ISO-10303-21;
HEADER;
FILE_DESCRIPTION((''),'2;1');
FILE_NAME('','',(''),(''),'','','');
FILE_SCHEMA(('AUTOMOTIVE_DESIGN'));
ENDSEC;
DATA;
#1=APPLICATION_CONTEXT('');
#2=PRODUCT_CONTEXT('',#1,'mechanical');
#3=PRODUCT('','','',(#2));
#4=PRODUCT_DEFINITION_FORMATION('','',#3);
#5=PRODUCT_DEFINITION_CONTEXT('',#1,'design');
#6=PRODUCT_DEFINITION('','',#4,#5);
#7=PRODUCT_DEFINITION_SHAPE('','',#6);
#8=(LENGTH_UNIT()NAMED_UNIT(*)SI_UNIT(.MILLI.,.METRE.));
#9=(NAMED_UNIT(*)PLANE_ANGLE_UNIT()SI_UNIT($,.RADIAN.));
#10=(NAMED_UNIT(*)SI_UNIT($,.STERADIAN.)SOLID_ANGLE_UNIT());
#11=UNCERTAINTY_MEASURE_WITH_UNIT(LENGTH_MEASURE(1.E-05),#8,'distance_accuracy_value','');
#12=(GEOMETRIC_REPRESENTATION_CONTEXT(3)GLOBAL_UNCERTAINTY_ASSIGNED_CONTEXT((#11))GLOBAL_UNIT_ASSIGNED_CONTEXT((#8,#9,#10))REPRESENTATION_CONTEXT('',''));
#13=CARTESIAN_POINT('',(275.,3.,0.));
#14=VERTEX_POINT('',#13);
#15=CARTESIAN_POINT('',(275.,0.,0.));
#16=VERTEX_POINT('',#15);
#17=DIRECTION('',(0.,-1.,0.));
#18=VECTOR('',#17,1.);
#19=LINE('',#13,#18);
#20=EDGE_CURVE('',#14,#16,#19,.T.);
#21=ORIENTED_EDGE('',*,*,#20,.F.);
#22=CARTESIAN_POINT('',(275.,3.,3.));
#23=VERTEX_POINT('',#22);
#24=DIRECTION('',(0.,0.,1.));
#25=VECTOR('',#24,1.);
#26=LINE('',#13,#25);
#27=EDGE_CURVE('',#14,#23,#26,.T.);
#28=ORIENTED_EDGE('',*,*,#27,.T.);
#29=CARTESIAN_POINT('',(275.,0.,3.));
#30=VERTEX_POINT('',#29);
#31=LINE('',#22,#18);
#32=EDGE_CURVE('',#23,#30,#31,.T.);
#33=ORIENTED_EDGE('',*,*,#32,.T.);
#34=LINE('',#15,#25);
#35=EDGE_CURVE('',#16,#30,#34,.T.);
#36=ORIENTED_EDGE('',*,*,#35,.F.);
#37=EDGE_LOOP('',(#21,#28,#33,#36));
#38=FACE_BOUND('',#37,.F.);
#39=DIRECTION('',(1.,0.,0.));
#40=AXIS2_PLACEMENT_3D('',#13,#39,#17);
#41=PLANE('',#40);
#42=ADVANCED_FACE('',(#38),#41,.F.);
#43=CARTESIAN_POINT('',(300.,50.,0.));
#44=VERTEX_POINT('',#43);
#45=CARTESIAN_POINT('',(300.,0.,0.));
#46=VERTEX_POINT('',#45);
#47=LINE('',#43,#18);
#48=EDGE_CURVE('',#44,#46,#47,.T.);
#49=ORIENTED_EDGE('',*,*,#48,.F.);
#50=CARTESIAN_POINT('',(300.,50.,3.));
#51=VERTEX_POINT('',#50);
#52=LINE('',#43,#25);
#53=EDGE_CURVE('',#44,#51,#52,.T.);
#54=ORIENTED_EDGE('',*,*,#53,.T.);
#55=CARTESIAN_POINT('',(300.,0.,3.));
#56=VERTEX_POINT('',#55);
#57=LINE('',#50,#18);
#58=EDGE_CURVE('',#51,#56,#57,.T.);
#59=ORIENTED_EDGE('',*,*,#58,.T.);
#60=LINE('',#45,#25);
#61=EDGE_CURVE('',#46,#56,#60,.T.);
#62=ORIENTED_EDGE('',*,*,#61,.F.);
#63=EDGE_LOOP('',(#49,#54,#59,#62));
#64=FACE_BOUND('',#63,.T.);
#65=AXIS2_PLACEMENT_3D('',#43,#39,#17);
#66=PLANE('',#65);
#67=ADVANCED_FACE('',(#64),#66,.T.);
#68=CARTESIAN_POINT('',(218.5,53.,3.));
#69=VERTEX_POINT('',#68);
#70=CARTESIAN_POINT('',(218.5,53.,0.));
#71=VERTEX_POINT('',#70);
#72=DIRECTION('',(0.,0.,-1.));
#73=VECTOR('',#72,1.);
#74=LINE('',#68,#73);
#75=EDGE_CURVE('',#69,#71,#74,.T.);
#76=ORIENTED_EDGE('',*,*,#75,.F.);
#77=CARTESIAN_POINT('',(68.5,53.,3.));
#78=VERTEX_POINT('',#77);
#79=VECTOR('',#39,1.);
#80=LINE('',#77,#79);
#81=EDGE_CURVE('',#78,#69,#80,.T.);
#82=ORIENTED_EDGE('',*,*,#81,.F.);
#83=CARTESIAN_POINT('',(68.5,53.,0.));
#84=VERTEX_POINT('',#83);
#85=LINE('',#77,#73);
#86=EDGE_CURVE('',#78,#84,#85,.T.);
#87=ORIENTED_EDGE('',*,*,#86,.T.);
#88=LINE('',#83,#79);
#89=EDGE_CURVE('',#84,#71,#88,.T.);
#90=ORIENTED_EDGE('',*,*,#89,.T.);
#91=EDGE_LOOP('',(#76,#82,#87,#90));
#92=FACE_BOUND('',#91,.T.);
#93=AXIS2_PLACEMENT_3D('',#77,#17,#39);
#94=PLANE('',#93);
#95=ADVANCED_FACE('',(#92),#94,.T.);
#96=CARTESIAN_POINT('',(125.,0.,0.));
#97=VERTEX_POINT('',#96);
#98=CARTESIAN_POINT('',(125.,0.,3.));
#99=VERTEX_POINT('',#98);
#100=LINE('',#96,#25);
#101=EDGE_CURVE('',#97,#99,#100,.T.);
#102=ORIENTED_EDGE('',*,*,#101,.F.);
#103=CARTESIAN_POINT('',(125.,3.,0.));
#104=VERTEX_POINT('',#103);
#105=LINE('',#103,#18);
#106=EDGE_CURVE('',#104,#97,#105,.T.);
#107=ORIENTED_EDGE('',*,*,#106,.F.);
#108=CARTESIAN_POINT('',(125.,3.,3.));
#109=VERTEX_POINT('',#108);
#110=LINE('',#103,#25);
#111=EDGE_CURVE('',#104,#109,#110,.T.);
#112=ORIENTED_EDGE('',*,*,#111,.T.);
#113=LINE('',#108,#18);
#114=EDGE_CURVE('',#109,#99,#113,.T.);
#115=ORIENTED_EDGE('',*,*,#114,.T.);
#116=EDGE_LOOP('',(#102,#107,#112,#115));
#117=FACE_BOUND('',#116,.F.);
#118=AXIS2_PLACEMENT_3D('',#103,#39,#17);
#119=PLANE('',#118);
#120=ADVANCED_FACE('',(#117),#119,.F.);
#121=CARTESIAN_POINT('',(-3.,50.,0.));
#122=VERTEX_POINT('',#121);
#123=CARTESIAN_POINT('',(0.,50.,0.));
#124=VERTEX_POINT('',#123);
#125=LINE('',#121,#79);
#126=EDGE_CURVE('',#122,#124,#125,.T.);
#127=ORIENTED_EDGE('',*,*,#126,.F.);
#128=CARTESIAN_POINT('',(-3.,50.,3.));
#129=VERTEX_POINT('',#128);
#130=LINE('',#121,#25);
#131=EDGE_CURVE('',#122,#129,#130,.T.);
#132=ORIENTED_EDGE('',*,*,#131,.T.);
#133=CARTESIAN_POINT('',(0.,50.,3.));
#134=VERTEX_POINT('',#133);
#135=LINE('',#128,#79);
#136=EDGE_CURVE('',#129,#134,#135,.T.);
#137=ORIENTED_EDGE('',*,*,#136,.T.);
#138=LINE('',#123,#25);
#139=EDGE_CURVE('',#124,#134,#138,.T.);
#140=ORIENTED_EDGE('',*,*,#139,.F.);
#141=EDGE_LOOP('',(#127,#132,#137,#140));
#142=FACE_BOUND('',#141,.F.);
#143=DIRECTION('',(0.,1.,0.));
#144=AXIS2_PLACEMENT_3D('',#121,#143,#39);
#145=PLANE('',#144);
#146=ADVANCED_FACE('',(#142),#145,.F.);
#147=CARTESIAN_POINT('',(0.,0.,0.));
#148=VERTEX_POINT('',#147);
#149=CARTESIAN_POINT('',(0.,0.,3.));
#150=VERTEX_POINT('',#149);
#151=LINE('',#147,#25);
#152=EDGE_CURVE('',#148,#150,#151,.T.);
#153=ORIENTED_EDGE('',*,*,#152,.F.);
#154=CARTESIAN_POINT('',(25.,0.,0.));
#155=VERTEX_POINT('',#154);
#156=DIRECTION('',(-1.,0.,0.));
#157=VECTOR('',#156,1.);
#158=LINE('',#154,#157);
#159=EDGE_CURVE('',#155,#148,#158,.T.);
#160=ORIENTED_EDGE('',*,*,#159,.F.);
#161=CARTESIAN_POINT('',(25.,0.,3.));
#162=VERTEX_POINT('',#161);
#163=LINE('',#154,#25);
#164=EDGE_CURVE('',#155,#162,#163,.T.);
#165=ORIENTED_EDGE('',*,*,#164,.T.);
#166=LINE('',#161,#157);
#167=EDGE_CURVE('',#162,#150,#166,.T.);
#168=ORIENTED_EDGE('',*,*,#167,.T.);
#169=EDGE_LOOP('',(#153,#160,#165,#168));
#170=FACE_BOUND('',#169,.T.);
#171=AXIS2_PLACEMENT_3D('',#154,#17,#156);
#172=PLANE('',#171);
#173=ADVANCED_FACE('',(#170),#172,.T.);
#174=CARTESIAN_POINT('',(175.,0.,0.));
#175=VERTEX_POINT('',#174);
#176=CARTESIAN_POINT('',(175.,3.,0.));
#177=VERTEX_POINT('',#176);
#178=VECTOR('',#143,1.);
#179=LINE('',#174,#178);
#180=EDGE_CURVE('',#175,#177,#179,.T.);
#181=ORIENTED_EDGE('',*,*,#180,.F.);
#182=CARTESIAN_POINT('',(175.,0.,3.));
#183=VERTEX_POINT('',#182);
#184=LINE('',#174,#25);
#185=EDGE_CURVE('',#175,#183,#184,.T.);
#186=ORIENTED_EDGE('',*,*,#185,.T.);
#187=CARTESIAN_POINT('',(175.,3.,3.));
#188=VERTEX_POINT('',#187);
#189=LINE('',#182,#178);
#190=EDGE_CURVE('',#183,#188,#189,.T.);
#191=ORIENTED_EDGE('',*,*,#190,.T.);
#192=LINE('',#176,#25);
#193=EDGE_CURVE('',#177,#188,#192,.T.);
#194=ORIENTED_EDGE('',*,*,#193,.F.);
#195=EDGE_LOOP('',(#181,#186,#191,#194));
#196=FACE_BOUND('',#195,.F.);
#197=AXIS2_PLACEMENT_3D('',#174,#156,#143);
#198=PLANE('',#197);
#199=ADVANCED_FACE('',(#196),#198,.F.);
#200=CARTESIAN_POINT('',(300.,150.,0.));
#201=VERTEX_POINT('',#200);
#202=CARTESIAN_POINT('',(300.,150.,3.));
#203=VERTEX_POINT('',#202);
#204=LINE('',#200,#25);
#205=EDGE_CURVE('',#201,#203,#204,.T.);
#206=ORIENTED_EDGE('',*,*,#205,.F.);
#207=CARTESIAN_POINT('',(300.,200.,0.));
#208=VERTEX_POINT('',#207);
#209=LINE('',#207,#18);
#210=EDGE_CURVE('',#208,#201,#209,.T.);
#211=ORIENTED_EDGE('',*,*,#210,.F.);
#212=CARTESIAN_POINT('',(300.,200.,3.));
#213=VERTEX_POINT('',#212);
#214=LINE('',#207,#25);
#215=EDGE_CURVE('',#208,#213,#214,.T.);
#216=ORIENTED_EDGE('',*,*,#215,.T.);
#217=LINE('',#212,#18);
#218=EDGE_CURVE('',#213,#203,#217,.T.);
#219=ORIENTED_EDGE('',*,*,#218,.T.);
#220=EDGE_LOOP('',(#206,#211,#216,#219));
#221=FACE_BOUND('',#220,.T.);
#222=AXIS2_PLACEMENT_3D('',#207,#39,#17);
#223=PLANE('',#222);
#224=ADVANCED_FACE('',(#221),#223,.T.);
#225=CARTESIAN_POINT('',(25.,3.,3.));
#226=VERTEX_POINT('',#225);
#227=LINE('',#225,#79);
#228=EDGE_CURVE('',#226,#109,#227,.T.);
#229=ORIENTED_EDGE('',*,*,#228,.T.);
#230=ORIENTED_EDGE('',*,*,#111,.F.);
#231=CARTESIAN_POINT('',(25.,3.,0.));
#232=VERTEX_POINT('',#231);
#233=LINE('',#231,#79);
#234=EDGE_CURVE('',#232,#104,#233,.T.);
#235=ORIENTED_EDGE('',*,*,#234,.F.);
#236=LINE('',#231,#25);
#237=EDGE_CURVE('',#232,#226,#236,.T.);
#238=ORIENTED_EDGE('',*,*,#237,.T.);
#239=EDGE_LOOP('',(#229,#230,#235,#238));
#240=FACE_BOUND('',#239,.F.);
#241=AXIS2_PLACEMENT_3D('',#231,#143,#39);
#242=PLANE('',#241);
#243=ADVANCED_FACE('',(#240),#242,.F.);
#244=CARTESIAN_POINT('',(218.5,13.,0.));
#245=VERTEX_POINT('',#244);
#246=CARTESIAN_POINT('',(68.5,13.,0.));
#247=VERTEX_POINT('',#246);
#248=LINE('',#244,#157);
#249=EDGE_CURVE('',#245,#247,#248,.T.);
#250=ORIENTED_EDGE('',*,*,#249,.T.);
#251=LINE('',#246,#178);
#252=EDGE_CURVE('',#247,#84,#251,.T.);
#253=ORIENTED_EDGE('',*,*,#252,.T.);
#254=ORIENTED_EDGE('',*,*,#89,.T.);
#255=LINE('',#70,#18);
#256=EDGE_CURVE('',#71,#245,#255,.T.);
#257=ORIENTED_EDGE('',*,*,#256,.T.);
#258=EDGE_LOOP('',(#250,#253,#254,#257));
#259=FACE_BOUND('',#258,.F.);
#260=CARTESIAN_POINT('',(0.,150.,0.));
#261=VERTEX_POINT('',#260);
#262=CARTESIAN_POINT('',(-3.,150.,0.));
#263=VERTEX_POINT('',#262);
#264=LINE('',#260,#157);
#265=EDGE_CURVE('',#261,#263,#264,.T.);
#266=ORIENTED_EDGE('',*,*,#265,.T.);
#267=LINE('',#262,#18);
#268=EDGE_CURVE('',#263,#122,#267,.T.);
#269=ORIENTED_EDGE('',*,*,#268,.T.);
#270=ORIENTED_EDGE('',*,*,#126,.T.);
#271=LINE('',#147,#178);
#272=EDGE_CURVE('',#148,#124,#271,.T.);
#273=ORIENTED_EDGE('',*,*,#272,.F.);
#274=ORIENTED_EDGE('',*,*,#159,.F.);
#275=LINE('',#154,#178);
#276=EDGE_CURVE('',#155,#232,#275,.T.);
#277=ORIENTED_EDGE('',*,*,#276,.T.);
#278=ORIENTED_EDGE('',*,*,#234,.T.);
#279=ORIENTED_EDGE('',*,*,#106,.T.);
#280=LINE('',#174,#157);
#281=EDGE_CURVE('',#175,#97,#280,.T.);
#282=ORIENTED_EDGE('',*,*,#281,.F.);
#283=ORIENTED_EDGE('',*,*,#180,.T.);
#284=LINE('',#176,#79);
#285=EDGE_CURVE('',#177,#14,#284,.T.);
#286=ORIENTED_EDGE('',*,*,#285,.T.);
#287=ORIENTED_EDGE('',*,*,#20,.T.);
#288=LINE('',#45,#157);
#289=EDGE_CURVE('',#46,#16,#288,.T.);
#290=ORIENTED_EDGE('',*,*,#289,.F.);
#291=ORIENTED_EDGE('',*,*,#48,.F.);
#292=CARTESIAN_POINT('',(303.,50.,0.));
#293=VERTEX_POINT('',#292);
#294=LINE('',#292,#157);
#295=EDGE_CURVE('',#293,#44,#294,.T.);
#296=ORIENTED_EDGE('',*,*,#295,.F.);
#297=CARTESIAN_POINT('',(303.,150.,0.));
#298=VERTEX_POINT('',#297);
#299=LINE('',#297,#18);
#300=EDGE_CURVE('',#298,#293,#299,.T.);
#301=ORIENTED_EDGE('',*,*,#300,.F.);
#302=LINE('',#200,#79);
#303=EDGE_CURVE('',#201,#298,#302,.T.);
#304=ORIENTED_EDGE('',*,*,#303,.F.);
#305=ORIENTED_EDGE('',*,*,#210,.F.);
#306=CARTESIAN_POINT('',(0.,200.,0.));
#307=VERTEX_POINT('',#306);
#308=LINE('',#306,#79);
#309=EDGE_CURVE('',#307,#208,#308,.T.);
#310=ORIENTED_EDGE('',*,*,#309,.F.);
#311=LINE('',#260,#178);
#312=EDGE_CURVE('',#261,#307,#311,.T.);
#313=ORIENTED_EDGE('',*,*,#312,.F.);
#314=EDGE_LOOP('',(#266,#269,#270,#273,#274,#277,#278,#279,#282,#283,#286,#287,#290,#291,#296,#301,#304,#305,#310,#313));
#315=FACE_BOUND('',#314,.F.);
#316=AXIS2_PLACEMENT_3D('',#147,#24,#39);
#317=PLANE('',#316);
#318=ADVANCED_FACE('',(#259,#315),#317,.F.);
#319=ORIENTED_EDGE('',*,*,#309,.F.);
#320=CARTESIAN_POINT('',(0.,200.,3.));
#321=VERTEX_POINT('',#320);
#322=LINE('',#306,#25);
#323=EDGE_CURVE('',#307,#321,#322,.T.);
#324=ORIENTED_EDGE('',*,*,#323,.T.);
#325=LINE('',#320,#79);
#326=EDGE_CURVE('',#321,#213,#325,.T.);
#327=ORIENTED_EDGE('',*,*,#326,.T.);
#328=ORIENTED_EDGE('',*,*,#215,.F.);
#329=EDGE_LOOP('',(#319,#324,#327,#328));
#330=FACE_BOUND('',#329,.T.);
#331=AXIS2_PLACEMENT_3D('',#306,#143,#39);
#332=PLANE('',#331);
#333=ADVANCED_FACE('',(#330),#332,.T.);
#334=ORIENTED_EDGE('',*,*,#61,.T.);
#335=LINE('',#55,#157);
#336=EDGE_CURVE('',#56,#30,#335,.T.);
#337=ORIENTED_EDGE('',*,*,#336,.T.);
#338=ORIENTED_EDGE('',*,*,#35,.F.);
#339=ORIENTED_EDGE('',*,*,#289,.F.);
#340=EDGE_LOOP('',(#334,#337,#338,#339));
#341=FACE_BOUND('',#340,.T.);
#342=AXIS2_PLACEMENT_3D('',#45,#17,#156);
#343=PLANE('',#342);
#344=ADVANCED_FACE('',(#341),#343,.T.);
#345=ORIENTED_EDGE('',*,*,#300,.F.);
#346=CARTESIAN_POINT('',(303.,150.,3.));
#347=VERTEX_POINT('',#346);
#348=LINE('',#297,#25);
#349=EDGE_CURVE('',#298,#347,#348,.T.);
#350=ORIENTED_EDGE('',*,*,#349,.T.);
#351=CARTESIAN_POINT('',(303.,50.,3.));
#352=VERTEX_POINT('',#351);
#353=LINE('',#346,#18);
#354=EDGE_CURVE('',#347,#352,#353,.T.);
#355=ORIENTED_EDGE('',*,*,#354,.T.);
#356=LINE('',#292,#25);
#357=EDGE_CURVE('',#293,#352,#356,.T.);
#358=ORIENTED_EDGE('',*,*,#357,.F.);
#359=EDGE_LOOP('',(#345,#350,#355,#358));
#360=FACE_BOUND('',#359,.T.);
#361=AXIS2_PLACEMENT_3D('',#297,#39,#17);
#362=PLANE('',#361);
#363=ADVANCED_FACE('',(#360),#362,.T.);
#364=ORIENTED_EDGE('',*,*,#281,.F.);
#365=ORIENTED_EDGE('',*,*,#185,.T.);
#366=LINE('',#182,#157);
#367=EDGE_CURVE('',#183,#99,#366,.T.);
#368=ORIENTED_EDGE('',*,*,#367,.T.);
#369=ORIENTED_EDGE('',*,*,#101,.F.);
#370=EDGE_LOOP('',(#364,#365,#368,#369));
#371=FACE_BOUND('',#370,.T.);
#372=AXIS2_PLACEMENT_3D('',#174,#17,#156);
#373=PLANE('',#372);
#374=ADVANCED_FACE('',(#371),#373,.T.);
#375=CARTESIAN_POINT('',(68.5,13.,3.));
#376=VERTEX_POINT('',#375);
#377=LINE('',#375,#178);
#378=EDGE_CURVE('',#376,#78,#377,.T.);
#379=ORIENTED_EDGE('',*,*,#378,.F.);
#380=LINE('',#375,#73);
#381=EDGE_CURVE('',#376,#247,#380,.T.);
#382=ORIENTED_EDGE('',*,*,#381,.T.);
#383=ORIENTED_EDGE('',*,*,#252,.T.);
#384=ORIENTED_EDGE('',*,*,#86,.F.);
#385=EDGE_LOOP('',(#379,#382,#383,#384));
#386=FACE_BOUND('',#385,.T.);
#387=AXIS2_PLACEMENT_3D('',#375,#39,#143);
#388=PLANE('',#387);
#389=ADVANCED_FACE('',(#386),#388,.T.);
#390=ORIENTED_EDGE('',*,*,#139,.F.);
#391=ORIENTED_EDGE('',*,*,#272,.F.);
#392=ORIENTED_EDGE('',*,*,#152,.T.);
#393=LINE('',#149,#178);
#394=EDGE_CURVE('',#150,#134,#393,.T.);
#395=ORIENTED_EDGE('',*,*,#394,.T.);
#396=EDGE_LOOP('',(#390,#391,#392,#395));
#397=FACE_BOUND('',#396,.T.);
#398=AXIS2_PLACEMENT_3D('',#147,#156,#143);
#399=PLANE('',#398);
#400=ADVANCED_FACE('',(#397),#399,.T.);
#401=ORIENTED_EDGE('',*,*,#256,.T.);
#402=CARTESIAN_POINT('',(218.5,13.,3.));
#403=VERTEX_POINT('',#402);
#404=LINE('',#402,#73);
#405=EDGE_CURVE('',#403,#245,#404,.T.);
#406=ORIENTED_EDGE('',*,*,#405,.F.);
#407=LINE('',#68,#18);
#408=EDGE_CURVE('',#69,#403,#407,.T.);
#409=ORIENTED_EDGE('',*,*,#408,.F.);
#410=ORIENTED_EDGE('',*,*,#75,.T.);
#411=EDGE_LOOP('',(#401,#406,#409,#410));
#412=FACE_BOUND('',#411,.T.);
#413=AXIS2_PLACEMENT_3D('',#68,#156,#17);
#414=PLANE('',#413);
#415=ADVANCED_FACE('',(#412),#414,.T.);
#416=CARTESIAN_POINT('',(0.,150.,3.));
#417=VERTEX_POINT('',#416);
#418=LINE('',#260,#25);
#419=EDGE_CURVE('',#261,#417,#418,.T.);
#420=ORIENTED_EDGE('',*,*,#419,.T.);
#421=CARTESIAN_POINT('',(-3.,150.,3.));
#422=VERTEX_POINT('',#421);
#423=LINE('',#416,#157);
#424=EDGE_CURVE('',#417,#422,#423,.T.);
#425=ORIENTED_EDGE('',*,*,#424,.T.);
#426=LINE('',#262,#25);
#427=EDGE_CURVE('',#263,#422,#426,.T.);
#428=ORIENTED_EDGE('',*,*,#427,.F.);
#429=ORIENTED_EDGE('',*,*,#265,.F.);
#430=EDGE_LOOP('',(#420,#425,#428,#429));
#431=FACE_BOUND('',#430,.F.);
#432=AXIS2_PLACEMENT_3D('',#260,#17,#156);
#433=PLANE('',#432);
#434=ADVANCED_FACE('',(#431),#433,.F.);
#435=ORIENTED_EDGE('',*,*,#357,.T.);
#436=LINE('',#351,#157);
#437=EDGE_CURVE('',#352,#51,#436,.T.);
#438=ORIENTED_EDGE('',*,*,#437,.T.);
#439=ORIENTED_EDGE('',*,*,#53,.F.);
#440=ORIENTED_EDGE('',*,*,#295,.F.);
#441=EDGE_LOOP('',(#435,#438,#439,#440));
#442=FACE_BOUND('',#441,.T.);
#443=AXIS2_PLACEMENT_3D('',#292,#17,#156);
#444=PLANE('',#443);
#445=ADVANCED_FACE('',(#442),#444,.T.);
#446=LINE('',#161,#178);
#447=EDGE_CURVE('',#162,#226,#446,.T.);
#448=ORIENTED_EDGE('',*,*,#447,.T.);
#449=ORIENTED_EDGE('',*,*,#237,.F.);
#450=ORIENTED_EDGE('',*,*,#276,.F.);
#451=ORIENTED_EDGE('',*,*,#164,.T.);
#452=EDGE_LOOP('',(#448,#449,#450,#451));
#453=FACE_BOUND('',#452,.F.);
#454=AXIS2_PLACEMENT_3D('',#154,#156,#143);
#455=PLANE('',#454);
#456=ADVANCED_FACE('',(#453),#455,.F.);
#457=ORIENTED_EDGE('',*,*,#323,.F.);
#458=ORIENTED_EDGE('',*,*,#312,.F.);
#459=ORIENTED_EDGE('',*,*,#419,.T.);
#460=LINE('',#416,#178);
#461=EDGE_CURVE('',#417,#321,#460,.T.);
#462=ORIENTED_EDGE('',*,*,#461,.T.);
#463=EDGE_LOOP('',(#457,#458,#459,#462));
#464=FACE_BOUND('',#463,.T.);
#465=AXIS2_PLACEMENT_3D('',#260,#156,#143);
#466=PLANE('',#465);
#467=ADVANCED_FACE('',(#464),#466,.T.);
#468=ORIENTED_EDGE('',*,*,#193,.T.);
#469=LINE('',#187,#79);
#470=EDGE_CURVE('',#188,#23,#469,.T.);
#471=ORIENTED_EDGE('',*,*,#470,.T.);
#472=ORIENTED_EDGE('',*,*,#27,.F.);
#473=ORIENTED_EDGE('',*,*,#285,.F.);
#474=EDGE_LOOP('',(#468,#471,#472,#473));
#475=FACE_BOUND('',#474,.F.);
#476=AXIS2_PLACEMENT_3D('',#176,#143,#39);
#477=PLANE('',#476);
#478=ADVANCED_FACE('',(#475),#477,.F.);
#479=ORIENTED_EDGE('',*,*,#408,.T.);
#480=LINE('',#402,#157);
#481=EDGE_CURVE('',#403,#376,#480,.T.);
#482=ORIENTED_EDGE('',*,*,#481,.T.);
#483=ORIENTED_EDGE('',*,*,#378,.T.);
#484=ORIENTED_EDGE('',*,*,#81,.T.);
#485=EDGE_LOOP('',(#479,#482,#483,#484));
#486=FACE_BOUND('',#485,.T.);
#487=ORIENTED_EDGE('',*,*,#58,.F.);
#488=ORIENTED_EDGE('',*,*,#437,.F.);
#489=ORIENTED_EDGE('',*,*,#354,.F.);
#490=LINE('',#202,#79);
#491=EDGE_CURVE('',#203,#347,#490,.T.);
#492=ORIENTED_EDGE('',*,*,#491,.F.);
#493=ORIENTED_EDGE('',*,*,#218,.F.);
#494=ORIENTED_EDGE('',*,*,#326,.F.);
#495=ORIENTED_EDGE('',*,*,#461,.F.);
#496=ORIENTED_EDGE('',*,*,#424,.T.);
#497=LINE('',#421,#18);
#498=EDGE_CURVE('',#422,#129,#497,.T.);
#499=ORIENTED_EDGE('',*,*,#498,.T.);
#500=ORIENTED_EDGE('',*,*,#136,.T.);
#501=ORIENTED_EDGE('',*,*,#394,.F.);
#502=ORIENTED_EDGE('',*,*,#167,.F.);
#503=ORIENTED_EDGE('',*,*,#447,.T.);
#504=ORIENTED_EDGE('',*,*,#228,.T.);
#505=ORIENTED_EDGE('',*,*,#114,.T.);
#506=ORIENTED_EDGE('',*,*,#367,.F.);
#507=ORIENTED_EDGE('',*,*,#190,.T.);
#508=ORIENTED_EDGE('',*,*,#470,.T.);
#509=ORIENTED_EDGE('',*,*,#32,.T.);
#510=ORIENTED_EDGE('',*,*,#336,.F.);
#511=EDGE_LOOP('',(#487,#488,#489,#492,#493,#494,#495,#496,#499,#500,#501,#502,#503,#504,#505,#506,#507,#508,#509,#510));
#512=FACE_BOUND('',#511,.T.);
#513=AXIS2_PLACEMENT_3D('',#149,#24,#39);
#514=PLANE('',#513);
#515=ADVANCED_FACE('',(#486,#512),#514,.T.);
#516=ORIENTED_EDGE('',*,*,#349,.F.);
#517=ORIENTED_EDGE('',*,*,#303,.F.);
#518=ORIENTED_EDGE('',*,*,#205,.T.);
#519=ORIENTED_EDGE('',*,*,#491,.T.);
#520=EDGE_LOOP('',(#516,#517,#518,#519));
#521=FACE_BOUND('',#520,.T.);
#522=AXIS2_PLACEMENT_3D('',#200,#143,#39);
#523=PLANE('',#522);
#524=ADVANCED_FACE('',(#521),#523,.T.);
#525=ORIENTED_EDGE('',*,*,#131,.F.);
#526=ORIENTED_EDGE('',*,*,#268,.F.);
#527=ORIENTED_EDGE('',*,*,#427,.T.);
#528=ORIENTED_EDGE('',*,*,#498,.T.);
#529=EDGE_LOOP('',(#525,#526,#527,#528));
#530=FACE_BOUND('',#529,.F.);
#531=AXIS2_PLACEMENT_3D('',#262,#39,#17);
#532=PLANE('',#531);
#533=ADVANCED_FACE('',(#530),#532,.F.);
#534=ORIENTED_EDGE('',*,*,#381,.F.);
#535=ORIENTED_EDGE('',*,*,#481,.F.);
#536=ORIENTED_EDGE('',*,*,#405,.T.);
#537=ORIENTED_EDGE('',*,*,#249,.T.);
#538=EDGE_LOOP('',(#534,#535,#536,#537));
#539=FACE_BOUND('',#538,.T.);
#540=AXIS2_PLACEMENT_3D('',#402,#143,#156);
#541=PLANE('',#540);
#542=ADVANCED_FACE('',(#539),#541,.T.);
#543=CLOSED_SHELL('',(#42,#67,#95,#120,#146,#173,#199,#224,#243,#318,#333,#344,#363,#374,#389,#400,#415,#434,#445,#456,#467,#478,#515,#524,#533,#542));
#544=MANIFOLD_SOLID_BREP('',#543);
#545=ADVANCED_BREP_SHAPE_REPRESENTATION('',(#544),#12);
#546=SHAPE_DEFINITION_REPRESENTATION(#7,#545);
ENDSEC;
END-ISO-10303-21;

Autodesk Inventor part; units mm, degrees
ref_plane "YZ Plane" through (0, 0, 0) normal (1, 0, 0) x (0, 1, 0)
ref_plane "XZ Plane" through (0, 0, 0) normal (0, 1, 0) x (-1, 0, 0)
ref_plane "XY Plane" through (0, 0, 0) normal (0, 0, 1) x (1, 0, 0)
sketch "Boceto1" plane through (0, 0, 0) normal (0, 0, 1) x (1, 0, 0)
  line L0 (0, 200) -> (300, 200)
  line L1 (25, 0) -> (25, 3)
  line L2 (25, 3) -> (125, 3)
  line L3 (125, 3) -> (125, 0)
  line L4 (175, 0) -> (175, 3)
  line L5 (175, 3) -> (275, 3)
  line L6 (275, 3) -> (275, 0)
  line L7 (25, 0) -> (0, 0)
  line L8 (300, 0) -> (275, 0)
  line L9 (175, 0) -> (125, 0)
  line L10 (0, 150) -> (-3, 150)
  line L11 (-3, 150) -> (-3, 50)
  line L12 (-3, 50) -> (0, 50)
  line L13 (0, 0) -> (0, 50)
  line L14 (0, 150) -> (0, 200)
  line L15 (300, 150) -> (303, 150)
  line L16 (303, 150) -> (303, 50)
  line L17 (303, 50) -> (300, 50)
  line L18 (300, 200) -> (300, 150)
  line L19 (300, 50) -> (300, 0)
  dimension "d4" = 100
  dimension "d6" = 100
  dimension "d10" = 50
  dimension "d13" = 3
  dimension "d14" = 200
  dimension "d15" = 3
  dimension "d16" = 100
  dimension "d17" = 50
  dimension "d21" = 300
extrude "Extrusión1" add sketch "Boceto1" along normal blind 3
sketch "Boceto2" plane through (0, 0, 3) normal (0, 0, 1) x (1, 0, 0)
  line L0 (68.5, 53) -> (218.5, 53)
  line L1 (218.5, 53) -> (218.5, 13)
  line L2 (218.5, 13) -> (68.5, 13)
  line L3 (68.5, 13) -> (68.5, 53)
  line L4 (0, 50) -> (0, 0) projected
  line L5 (25, 3) -> (125, 3) projected
  dimension "d22" = 40
  dimension "d23" = 150
  dimension "d26" = 68.5
  dimension "d27" = 10
extrude "Extrusión2" cut sketch "Boceto2" against normal blind 3
properties part number "Base lateral"
